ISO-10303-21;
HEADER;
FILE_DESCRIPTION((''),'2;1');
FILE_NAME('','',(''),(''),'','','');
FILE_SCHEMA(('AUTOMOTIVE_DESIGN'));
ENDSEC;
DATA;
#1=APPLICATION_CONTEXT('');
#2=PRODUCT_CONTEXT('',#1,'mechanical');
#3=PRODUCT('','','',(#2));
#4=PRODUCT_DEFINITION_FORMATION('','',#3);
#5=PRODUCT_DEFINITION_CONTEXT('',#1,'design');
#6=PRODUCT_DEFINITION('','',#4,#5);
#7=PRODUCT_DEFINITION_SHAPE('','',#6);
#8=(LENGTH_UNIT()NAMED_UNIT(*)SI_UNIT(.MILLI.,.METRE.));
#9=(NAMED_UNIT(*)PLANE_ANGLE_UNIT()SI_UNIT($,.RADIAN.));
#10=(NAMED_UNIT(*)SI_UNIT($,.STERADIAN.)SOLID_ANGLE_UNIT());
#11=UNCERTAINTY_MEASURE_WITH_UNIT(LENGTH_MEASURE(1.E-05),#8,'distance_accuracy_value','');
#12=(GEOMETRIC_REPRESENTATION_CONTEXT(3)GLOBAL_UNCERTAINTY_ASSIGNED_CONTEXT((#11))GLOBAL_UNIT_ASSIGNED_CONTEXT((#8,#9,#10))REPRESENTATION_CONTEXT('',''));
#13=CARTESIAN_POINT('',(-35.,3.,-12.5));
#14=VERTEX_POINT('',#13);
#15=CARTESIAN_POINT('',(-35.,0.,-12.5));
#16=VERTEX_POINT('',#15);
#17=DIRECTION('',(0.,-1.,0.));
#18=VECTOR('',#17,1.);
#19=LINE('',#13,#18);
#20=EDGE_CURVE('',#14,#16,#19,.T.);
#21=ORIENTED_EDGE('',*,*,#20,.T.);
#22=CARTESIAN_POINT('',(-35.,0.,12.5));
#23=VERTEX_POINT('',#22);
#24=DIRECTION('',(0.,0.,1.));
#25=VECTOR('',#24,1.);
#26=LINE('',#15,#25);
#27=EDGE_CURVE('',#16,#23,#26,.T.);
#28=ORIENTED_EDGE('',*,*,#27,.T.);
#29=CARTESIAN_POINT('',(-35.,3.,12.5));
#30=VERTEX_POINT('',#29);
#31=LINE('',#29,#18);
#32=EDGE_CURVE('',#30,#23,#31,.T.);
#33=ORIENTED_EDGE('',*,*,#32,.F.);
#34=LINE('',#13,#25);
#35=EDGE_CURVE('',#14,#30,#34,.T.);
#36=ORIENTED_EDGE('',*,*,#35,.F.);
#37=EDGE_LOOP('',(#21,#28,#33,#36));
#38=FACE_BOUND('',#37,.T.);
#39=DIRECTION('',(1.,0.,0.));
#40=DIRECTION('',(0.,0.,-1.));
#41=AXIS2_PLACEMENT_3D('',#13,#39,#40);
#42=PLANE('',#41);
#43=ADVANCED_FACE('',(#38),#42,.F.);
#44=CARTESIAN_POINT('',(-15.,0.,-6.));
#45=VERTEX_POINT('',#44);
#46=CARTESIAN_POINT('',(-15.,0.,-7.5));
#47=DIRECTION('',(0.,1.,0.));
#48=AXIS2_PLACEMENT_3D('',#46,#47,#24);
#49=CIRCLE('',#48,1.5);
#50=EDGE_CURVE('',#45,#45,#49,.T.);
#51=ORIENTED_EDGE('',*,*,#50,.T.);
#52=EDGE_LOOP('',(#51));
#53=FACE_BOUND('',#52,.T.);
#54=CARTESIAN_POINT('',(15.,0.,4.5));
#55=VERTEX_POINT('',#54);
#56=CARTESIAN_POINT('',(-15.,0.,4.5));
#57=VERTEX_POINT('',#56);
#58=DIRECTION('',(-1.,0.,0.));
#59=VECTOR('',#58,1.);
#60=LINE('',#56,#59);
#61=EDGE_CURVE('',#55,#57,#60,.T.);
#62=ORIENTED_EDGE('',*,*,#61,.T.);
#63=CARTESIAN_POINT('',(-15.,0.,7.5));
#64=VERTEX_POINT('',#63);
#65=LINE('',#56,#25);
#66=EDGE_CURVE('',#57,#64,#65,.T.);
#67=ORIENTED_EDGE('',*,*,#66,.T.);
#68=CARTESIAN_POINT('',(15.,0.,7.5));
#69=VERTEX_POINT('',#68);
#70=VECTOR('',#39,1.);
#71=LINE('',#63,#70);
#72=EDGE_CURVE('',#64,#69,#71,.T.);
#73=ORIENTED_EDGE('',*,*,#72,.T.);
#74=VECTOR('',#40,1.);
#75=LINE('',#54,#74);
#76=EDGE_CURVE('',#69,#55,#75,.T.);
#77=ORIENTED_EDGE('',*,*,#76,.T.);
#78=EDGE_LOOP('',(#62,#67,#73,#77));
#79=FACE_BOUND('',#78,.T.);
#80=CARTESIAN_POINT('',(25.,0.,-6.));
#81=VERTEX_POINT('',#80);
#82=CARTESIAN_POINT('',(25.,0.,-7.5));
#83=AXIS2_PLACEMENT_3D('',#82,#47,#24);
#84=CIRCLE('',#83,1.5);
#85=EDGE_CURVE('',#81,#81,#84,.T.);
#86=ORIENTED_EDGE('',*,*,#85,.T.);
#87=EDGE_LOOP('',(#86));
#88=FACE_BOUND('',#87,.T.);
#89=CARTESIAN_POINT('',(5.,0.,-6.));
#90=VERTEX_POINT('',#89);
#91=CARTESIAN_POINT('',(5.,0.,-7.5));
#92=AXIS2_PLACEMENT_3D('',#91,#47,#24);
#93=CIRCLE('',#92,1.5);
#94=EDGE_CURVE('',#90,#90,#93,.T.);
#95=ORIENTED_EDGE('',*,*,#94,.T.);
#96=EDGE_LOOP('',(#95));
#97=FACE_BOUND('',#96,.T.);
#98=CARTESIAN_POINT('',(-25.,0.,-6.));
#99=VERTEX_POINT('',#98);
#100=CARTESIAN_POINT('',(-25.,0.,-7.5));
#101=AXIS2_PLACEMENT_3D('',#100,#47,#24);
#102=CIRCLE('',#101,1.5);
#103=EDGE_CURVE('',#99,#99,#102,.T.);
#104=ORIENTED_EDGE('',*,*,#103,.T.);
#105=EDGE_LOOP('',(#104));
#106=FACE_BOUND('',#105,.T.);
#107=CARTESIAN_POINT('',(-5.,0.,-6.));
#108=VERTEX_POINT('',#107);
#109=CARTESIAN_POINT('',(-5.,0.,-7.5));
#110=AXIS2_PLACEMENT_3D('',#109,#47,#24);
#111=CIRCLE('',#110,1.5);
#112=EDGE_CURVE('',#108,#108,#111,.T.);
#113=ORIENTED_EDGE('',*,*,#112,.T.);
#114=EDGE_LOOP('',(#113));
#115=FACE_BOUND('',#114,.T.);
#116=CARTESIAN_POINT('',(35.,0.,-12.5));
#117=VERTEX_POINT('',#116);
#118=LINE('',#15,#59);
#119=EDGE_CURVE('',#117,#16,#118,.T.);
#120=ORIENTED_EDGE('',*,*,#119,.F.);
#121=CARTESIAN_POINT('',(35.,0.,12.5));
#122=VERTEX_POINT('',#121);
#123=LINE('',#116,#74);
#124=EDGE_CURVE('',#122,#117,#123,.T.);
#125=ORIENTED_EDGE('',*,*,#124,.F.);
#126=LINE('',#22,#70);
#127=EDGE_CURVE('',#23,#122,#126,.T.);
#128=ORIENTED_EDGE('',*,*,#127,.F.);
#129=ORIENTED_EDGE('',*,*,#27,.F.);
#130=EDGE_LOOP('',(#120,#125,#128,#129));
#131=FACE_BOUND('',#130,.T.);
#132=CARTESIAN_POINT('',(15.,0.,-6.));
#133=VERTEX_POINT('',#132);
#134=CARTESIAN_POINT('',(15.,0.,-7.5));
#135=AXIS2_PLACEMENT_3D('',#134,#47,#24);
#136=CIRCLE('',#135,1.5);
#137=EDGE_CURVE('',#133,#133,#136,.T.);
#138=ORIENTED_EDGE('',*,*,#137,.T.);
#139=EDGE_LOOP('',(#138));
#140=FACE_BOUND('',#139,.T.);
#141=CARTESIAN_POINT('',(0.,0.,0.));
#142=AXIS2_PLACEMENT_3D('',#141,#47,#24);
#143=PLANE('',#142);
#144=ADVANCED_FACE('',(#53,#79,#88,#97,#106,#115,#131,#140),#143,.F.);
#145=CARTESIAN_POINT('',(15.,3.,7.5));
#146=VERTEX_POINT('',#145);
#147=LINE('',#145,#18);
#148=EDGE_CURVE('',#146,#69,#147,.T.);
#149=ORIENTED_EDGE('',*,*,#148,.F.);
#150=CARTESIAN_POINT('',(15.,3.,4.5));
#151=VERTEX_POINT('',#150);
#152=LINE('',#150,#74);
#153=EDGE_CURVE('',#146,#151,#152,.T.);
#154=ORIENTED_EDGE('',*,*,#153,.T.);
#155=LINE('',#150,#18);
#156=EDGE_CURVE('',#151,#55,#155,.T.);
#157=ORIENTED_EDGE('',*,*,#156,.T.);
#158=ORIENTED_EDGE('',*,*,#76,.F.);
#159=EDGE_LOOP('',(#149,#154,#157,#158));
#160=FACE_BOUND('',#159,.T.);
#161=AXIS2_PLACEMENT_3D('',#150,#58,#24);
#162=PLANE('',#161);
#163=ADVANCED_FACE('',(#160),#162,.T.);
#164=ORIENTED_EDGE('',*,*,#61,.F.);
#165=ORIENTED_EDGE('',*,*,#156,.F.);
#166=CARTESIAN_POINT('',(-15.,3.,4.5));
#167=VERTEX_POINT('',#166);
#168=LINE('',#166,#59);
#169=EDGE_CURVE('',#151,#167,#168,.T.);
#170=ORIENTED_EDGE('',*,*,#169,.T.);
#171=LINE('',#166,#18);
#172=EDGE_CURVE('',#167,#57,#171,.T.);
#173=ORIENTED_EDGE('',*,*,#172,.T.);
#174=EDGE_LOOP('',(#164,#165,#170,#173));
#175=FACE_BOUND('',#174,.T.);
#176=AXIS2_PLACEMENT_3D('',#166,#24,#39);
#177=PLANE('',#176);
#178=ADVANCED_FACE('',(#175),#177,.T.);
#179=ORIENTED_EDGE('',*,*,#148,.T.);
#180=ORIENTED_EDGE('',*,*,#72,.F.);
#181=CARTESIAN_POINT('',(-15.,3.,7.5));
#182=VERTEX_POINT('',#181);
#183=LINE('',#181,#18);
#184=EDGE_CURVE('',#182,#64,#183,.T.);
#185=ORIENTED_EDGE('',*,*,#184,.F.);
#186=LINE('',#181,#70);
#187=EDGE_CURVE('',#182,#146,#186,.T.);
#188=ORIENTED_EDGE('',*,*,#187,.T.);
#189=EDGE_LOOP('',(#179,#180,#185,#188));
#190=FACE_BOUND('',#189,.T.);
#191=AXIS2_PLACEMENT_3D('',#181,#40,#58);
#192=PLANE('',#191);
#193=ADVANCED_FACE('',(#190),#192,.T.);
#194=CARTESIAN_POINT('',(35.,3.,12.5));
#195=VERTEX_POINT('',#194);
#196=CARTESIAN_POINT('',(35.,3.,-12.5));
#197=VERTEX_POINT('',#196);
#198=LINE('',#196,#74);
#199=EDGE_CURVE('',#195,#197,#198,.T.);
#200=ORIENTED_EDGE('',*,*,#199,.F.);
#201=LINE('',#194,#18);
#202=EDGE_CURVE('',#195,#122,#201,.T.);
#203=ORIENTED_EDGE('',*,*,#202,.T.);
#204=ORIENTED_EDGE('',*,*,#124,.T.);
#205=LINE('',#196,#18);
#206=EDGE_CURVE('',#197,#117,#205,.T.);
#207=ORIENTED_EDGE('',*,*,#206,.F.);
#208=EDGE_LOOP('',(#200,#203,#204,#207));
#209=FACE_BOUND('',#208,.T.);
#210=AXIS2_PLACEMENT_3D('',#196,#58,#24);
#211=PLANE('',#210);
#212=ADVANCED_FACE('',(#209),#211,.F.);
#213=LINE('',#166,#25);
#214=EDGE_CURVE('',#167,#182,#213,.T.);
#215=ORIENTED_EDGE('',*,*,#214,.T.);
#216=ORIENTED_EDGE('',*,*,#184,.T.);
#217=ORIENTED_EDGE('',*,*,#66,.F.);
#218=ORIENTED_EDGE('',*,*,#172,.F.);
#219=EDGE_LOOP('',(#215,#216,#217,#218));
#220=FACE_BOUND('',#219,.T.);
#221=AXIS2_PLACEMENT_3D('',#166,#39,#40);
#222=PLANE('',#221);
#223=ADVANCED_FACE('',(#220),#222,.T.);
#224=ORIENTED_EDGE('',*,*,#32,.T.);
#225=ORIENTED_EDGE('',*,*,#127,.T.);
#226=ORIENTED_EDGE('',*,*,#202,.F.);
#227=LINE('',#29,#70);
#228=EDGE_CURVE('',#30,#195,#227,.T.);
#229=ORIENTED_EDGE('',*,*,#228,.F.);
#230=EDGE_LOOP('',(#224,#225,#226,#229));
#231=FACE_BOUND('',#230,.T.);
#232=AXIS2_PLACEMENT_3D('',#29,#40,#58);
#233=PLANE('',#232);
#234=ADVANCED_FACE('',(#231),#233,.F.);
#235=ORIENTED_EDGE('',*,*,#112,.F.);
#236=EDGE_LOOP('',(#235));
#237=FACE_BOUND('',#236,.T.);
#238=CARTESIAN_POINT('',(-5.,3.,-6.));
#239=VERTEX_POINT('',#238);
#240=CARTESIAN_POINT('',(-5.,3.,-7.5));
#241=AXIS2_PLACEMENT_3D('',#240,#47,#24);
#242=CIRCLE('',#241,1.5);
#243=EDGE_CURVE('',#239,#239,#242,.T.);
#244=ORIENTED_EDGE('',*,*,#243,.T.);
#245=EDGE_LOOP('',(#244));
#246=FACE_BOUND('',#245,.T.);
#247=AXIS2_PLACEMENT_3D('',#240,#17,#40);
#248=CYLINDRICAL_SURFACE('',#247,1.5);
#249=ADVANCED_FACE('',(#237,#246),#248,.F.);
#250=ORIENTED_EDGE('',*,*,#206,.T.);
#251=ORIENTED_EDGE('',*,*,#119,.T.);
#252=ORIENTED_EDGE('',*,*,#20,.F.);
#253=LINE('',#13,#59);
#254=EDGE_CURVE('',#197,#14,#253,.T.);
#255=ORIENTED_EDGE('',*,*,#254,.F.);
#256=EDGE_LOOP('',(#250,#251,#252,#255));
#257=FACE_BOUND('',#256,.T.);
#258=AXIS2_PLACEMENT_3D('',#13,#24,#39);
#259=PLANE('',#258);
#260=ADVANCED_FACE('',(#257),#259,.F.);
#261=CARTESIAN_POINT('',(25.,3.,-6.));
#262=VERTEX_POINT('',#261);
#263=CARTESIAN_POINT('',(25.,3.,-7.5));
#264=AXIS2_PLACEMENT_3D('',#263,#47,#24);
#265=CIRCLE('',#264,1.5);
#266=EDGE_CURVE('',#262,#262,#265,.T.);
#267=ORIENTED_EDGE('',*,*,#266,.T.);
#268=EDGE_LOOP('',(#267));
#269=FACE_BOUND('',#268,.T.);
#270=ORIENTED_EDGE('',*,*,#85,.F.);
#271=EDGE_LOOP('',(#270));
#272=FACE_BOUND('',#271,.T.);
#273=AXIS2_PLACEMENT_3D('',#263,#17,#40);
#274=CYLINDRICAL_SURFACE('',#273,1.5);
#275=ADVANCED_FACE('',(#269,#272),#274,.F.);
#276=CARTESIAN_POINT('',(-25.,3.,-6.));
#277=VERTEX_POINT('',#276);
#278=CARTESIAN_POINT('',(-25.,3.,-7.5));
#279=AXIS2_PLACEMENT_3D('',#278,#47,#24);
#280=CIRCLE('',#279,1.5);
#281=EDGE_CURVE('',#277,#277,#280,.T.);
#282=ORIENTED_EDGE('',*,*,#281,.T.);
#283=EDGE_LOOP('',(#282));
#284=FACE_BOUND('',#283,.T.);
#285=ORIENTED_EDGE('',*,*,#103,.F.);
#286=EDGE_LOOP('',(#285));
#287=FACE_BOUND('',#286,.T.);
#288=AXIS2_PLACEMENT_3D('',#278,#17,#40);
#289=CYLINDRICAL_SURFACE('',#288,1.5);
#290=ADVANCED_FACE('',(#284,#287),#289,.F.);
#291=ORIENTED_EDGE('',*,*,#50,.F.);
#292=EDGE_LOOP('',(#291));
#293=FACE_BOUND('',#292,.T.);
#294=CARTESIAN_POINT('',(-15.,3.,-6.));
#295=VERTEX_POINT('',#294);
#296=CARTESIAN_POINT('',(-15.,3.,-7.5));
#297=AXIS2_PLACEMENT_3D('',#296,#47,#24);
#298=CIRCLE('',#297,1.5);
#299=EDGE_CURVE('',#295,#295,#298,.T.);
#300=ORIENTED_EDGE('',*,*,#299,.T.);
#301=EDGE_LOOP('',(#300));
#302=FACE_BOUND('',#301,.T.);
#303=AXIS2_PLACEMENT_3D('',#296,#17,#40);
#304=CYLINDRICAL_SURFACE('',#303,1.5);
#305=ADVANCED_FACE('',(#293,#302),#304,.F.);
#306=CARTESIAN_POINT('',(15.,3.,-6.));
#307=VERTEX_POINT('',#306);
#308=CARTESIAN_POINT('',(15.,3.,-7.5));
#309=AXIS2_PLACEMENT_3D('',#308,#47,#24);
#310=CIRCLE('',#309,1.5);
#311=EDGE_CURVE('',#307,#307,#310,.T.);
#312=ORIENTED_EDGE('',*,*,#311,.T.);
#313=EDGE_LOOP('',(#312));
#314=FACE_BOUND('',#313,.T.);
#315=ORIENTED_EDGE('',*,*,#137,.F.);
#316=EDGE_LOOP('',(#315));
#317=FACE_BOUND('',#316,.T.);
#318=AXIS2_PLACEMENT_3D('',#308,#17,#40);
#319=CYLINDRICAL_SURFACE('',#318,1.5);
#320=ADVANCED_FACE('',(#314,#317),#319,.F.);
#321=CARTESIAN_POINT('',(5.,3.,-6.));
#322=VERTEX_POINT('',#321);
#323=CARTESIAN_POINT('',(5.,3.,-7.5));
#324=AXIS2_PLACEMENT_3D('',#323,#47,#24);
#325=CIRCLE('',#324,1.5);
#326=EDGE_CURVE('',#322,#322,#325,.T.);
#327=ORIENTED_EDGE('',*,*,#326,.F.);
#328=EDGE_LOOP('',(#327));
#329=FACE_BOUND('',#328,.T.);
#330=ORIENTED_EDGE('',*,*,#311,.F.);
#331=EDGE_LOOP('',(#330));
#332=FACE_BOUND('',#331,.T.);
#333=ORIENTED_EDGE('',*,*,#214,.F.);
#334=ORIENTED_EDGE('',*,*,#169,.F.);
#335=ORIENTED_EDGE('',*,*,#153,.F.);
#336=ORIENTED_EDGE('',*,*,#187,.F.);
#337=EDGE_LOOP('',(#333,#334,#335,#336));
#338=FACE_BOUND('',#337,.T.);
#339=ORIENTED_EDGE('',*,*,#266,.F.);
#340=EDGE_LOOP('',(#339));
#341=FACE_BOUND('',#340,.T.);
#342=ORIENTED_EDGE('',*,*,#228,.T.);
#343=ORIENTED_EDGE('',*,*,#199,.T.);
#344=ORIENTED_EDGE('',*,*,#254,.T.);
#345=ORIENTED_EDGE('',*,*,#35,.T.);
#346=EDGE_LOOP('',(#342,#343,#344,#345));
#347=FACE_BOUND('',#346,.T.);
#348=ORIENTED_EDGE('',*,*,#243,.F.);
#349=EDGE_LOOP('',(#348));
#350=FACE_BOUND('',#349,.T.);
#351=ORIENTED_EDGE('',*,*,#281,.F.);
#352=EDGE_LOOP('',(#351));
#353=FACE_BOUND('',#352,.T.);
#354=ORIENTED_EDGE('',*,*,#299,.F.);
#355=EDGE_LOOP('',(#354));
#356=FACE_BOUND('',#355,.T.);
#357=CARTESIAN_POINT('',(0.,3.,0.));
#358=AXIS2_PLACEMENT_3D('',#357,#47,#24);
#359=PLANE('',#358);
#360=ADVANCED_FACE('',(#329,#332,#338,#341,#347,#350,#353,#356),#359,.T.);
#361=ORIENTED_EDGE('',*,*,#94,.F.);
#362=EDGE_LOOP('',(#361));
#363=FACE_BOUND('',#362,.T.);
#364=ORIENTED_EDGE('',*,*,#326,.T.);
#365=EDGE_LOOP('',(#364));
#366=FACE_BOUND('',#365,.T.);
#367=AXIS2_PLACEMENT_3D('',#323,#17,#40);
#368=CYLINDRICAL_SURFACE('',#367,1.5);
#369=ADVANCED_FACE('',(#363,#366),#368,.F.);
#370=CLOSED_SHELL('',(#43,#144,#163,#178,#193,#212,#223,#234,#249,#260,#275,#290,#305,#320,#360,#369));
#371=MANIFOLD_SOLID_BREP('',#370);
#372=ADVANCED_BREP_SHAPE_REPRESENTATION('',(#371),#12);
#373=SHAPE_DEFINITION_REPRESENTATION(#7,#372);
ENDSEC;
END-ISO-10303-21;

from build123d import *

# Parameters (mm, degrees)
SKETCH1_W           = 70
SKETCH1_H           = 25
SKETCH1_R           = 1.5
SKETCH1_W_2         = 30
SKETCH1_H_2         = 3
BOSS_EXTRUDE1_DEPTH = 3


with BuildPart() as part:
    # Sketch1 → Boss-Extrude1 (new body)
    with BuildSketch(Plane(origin=(0, 0, 0), x_dir=(1, 0, 0), z_dir=(0, 1, 0))):
        Rectangle(SKETCH1_W, SKETCH1_H)
        with Locations(Location((-25, 7.5, 0), (0, 0, 270))):
            Circle(SKETCH1_R, mode=Mode.SUBTRACT)
        with Locations(Location((-15, 7.5, 0), (0, 0, 270))):
            Circle(SKETCH1_R, mode=Mode.SUBTRACT)
        with Locations(Location((-5, 7.5, 0), (0, 0, 270))):
            Circle(SKETCH1_R, mode=Mode.SUBTRACT)
        with Locations(Location((5, 7.5, 0), (0, 0, 270))):
            Circle(SKETCH1_R, mode=Mode.SUBTRACT)
        with Locations(Location((15, 7.5, 0), (0, 0, 270))):
            Circle(SKETCH1_R, mode=Mode.SUBTRACT)
        with Locations(Location((25, 7.5, 0), (0, 0, 270))):
            Circle(SKETCH1_R, mode=Mode.SUBTRACT)
        with Locations((0, -6)):
            Rectangle(SKETCH1_W_2, SKETCH1_H_2, mode=Mode.SUBTRACT)
    extrude(amount=BOSS_EXTRUDE1_DEPTH)


solid = part.part
